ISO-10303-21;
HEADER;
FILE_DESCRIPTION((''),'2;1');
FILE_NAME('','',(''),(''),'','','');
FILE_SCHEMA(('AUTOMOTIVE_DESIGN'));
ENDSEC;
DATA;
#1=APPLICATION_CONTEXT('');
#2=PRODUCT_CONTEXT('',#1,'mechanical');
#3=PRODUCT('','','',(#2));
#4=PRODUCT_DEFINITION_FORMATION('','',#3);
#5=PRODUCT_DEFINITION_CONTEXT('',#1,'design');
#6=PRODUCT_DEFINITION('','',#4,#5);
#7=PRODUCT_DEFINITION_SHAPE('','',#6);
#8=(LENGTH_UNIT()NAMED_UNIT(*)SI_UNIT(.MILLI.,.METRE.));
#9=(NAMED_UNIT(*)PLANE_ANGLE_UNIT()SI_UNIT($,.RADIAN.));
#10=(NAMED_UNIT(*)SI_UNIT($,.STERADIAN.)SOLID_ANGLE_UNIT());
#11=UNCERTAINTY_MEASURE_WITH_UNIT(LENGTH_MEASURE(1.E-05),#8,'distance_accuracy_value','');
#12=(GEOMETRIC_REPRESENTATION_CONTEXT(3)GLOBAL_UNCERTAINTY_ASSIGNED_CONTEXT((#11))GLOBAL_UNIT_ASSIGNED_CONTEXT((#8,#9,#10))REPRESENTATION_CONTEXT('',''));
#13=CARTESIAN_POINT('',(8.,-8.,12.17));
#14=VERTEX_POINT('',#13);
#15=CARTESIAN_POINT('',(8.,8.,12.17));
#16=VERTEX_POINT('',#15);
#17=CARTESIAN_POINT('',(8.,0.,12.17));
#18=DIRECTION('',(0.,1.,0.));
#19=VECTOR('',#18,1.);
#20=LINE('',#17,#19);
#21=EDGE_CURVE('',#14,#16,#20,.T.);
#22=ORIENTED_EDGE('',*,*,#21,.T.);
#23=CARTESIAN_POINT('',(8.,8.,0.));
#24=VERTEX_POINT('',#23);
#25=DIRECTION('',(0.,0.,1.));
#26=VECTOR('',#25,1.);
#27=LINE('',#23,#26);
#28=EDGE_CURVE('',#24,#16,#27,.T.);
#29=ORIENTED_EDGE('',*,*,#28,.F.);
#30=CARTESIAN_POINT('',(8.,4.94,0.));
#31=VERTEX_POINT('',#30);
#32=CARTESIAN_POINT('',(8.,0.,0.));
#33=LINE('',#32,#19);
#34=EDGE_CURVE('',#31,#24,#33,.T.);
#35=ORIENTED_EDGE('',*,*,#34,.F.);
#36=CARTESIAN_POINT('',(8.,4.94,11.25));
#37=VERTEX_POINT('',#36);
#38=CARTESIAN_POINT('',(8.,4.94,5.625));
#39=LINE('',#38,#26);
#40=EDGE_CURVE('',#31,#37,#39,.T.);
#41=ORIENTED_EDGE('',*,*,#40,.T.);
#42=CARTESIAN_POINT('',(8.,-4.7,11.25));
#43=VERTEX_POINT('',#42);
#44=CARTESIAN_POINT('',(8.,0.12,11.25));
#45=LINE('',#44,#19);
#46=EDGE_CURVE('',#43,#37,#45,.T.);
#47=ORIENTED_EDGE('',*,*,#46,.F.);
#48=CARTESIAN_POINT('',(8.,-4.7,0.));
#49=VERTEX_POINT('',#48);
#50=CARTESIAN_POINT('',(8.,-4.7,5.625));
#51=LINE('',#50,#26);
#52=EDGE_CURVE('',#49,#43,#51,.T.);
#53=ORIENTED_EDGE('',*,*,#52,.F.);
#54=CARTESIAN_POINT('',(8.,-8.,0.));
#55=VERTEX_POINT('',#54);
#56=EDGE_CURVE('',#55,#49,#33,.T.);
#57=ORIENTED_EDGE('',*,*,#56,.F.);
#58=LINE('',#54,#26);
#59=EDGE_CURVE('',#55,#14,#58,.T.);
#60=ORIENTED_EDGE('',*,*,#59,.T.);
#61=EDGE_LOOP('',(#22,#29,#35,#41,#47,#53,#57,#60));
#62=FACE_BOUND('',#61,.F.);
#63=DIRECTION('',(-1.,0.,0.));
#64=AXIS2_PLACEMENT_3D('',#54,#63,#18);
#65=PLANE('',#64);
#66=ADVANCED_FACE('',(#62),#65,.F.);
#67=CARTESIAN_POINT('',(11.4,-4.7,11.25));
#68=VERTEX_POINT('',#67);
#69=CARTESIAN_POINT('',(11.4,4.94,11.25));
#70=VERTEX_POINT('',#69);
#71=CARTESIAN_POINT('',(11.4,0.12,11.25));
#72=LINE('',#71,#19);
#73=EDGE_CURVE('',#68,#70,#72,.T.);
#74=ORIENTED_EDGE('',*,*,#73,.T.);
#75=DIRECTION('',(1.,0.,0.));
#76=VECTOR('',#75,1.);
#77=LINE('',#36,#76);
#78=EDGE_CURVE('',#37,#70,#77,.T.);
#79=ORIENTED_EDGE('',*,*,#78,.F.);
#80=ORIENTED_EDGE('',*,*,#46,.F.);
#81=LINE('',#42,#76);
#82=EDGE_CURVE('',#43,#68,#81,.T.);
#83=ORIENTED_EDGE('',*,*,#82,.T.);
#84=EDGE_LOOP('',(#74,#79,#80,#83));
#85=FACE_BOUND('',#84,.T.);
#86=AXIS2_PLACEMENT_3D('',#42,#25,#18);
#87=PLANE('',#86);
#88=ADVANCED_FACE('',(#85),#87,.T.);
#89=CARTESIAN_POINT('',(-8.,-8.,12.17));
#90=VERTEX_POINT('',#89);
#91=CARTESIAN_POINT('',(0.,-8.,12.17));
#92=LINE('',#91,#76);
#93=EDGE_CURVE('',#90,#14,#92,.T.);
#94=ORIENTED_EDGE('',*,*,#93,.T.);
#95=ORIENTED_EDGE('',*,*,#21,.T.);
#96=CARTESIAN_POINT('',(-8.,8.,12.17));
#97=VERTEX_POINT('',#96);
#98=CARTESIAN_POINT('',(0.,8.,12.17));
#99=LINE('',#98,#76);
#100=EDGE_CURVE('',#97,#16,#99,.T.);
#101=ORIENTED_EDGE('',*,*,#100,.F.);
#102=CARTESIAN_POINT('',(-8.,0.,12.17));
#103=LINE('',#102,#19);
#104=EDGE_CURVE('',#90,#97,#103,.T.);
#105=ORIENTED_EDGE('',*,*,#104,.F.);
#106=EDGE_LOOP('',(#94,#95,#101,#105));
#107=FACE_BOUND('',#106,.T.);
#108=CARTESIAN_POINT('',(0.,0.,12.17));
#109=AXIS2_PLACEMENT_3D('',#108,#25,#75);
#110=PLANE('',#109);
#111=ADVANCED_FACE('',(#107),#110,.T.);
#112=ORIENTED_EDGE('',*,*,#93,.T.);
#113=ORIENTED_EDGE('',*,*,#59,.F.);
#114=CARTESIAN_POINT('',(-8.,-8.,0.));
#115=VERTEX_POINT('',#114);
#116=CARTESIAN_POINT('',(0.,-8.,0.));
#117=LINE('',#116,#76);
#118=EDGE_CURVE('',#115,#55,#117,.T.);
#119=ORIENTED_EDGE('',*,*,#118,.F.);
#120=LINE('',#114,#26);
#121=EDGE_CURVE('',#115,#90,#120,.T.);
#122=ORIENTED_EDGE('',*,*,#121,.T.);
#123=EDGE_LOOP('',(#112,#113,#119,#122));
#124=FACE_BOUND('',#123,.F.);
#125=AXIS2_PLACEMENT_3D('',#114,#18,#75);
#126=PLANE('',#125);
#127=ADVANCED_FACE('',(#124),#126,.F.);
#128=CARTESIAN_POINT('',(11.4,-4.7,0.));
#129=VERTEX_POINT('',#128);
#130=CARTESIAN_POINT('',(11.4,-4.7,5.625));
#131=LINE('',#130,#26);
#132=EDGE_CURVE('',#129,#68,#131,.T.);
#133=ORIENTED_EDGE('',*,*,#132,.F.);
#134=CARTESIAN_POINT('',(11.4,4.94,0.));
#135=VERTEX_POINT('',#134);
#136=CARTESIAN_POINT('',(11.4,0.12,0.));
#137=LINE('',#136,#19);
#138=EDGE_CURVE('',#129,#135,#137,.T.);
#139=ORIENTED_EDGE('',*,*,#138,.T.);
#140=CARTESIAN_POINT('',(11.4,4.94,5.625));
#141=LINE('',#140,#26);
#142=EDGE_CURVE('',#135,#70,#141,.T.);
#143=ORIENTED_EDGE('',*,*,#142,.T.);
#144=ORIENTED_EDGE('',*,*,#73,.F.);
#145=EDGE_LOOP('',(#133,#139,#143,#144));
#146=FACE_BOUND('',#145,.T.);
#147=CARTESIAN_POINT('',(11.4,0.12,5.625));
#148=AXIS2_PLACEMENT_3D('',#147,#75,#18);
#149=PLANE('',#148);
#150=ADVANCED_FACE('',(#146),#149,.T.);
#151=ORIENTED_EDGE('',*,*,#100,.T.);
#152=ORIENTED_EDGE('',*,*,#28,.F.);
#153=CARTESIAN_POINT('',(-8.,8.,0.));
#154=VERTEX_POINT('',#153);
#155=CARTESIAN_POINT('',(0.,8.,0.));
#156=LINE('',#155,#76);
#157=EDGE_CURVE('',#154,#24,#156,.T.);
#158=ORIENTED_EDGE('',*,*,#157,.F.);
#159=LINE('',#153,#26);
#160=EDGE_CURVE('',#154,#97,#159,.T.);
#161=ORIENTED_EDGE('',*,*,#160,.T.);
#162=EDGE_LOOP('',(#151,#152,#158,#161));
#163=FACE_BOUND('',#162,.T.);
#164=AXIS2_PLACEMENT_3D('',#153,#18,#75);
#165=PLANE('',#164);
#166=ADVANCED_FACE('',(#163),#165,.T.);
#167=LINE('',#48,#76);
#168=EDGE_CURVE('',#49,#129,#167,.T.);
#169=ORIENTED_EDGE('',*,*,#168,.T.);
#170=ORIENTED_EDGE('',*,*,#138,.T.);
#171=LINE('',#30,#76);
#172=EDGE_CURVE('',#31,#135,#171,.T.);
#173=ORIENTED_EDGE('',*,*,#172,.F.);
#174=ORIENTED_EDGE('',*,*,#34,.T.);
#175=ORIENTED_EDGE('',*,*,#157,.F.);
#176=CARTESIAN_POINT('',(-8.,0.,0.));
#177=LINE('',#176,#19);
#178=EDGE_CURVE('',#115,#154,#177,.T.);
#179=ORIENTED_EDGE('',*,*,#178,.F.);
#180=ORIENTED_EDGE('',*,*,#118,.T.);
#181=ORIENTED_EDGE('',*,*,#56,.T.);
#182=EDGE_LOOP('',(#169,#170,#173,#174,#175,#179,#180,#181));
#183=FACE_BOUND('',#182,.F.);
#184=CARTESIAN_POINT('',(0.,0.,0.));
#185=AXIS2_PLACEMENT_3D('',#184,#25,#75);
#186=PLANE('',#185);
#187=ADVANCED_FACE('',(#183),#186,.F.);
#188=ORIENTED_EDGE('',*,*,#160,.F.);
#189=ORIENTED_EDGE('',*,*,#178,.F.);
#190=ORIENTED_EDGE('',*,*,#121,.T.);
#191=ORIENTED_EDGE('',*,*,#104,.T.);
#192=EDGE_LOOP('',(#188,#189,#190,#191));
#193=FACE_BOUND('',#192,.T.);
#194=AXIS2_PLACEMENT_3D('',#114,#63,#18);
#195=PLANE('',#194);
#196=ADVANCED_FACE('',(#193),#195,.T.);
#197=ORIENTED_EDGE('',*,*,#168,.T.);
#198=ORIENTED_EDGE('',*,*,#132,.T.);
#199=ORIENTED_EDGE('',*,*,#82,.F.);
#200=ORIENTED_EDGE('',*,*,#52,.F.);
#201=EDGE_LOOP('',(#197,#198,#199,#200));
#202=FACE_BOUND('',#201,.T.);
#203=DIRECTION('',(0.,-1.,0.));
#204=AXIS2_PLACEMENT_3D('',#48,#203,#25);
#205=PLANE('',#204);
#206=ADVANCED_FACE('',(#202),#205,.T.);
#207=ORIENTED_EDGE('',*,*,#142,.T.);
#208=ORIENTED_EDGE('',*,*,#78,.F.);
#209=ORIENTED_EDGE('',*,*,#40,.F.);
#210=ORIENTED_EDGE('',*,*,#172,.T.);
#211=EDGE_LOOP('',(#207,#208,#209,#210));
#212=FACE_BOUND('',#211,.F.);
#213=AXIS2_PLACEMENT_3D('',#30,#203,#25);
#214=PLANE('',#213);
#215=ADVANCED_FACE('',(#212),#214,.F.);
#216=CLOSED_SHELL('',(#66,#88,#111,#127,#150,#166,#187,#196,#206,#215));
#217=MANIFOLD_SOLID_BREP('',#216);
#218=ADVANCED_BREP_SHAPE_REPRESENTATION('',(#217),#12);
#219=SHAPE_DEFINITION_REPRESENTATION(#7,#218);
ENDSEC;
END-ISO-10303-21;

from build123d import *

# Parameters (mm, degrees)
F0_W     = 16
F0_H     = 16
F1_DEPTH = 12.17
F2_W     = 9.64
F2_H     = 11.25
F3_DEPTH = 3.4


with BuildPart() as f1:
    # F0 (on Top) → F1 (new body)
    with BuildSketch(Plane.XY):
        Rectangle(F0_W, F0_H)
    extrude(amount=F1_DEPTH)

    # F2 (on face) → F3 (join)
    with BuildSketch(Plane.YZ.offset(8)):
        with Locations((0.12, 5.625)):
            Rectangle(F2_W, F2_H)
    extrude(amount=F3_DEPTH)


solid = f1.part
